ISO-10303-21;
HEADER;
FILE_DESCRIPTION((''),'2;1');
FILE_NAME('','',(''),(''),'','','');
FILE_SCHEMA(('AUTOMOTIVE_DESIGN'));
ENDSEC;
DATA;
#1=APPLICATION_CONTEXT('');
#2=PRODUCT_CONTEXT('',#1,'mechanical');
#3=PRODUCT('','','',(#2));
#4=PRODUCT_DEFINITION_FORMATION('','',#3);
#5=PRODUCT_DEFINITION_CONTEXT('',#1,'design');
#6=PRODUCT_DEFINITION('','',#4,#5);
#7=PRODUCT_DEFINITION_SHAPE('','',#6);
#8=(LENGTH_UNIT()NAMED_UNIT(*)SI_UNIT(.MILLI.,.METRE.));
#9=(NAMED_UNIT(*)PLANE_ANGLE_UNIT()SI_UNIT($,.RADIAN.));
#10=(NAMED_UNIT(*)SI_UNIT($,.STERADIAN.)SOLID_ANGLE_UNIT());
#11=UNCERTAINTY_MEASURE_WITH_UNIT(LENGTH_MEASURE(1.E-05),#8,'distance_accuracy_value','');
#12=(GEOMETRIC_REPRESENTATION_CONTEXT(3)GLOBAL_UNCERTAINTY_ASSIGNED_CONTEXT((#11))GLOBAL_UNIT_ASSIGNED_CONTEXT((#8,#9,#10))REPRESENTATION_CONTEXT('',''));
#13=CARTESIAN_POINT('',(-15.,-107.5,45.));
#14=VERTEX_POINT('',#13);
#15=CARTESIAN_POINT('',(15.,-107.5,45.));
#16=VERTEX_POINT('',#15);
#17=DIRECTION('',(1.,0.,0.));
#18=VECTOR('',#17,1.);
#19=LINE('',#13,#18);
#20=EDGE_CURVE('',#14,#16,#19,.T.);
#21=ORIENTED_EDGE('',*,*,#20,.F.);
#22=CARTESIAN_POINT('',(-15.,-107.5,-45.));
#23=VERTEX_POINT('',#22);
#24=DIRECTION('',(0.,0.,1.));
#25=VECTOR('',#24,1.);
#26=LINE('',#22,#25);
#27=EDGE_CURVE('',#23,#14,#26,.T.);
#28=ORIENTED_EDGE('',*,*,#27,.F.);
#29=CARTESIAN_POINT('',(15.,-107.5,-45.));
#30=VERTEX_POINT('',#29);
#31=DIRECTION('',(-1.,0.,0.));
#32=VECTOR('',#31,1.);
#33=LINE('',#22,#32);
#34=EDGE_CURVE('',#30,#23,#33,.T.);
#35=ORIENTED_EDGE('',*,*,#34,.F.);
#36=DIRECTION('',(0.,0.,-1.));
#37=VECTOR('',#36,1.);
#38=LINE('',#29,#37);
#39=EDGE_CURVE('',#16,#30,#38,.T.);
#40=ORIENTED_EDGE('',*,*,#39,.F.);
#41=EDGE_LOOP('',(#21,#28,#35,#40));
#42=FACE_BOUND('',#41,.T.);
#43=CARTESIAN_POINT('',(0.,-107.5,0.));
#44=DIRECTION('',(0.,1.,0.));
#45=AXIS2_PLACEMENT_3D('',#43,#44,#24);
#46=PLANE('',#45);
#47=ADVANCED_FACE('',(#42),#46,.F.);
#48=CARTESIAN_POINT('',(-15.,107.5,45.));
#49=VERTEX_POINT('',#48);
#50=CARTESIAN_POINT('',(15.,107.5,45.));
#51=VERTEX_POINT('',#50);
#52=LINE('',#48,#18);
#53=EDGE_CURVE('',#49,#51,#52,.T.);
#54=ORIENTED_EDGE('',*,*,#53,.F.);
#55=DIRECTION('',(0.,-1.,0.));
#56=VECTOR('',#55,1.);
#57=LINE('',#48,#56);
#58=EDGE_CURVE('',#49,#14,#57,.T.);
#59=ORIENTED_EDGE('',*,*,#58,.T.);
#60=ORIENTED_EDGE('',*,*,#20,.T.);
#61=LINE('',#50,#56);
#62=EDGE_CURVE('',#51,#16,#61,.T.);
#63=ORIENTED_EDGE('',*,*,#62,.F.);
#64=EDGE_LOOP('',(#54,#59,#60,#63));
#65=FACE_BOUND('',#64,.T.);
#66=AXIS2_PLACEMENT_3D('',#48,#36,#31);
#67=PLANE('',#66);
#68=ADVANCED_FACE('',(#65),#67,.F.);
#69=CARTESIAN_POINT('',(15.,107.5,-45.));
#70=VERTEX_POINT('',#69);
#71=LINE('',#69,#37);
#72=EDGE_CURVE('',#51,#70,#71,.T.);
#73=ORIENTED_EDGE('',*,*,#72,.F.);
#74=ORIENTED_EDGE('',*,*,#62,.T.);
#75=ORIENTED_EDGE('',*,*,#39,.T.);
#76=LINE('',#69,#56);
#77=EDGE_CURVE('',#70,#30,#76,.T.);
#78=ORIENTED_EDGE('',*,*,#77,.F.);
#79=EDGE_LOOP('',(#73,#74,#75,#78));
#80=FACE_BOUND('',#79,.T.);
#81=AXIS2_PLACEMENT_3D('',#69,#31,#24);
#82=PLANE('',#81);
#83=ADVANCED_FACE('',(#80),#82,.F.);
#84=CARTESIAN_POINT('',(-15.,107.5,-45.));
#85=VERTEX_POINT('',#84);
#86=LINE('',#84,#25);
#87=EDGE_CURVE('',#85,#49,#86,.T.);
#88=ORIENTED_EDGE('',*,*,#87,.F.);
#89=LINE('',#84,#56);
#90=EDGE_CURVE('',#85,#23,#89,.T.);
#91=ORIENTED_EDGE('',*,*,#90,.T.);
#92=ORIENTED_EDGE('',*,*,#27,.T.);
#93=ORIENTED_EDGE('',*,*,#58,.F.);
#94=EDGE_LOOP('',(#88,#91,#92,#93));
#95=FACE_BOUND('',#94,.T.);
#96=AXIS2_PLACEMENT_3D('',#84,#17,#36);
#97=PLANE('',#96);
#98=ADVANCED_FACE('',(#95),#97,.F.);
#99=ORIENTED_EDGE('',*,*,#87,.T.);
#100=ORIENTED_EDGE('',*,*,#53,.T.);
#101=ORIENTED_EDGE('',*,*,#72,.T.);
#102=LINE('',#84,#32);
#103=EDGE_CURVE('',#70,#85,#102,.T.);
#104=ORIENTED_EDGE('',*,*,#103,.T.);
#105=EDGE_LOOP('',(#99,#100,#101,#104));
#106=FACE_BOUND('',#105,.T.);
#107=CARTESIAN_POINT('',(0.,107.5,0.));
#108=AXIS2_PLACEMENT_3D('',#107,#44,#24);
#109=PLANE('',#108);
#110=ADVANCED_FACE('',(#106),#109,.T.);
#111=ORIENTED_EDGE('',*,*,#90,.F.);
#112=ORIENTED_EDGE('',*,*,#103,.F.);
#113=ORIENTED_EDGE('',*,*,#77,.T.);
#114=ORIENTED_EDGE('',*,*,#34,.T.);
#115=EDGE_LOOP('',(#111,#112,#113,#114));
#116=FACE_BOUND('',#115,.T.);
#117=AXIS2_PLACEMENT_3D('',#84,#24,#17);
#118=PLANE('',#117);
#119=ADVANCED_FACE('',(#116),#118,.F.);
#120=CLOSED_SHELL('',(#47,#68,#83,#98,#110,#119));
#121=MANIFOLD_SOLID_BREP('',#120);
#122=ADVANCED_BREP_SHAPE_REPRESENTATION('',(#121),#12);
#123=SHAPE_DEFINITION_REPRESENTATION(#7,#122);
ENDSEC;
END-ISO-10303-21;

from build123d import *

# Parameters (mm, degrees)
SKETCH1_W           = 30
SKETCH1_H           = 90
BOSS_EXTRUDE1_DEPTH = 107.5


with BuildPart() as part:
    # Sketch1 → Boss-Extrude1 (new body, symmetric)
    with BuildSketch(Plane(origin=(0, 0, 0), x_dir=(1, 0, 0), z_dir=(0, 1, 0))):
        Rectangle(SKETCH1_W, SKETCH1_H)
    extrude(amount=BOSS_EXTRUDE1_DEPTH, both=True)


solid = part.part
